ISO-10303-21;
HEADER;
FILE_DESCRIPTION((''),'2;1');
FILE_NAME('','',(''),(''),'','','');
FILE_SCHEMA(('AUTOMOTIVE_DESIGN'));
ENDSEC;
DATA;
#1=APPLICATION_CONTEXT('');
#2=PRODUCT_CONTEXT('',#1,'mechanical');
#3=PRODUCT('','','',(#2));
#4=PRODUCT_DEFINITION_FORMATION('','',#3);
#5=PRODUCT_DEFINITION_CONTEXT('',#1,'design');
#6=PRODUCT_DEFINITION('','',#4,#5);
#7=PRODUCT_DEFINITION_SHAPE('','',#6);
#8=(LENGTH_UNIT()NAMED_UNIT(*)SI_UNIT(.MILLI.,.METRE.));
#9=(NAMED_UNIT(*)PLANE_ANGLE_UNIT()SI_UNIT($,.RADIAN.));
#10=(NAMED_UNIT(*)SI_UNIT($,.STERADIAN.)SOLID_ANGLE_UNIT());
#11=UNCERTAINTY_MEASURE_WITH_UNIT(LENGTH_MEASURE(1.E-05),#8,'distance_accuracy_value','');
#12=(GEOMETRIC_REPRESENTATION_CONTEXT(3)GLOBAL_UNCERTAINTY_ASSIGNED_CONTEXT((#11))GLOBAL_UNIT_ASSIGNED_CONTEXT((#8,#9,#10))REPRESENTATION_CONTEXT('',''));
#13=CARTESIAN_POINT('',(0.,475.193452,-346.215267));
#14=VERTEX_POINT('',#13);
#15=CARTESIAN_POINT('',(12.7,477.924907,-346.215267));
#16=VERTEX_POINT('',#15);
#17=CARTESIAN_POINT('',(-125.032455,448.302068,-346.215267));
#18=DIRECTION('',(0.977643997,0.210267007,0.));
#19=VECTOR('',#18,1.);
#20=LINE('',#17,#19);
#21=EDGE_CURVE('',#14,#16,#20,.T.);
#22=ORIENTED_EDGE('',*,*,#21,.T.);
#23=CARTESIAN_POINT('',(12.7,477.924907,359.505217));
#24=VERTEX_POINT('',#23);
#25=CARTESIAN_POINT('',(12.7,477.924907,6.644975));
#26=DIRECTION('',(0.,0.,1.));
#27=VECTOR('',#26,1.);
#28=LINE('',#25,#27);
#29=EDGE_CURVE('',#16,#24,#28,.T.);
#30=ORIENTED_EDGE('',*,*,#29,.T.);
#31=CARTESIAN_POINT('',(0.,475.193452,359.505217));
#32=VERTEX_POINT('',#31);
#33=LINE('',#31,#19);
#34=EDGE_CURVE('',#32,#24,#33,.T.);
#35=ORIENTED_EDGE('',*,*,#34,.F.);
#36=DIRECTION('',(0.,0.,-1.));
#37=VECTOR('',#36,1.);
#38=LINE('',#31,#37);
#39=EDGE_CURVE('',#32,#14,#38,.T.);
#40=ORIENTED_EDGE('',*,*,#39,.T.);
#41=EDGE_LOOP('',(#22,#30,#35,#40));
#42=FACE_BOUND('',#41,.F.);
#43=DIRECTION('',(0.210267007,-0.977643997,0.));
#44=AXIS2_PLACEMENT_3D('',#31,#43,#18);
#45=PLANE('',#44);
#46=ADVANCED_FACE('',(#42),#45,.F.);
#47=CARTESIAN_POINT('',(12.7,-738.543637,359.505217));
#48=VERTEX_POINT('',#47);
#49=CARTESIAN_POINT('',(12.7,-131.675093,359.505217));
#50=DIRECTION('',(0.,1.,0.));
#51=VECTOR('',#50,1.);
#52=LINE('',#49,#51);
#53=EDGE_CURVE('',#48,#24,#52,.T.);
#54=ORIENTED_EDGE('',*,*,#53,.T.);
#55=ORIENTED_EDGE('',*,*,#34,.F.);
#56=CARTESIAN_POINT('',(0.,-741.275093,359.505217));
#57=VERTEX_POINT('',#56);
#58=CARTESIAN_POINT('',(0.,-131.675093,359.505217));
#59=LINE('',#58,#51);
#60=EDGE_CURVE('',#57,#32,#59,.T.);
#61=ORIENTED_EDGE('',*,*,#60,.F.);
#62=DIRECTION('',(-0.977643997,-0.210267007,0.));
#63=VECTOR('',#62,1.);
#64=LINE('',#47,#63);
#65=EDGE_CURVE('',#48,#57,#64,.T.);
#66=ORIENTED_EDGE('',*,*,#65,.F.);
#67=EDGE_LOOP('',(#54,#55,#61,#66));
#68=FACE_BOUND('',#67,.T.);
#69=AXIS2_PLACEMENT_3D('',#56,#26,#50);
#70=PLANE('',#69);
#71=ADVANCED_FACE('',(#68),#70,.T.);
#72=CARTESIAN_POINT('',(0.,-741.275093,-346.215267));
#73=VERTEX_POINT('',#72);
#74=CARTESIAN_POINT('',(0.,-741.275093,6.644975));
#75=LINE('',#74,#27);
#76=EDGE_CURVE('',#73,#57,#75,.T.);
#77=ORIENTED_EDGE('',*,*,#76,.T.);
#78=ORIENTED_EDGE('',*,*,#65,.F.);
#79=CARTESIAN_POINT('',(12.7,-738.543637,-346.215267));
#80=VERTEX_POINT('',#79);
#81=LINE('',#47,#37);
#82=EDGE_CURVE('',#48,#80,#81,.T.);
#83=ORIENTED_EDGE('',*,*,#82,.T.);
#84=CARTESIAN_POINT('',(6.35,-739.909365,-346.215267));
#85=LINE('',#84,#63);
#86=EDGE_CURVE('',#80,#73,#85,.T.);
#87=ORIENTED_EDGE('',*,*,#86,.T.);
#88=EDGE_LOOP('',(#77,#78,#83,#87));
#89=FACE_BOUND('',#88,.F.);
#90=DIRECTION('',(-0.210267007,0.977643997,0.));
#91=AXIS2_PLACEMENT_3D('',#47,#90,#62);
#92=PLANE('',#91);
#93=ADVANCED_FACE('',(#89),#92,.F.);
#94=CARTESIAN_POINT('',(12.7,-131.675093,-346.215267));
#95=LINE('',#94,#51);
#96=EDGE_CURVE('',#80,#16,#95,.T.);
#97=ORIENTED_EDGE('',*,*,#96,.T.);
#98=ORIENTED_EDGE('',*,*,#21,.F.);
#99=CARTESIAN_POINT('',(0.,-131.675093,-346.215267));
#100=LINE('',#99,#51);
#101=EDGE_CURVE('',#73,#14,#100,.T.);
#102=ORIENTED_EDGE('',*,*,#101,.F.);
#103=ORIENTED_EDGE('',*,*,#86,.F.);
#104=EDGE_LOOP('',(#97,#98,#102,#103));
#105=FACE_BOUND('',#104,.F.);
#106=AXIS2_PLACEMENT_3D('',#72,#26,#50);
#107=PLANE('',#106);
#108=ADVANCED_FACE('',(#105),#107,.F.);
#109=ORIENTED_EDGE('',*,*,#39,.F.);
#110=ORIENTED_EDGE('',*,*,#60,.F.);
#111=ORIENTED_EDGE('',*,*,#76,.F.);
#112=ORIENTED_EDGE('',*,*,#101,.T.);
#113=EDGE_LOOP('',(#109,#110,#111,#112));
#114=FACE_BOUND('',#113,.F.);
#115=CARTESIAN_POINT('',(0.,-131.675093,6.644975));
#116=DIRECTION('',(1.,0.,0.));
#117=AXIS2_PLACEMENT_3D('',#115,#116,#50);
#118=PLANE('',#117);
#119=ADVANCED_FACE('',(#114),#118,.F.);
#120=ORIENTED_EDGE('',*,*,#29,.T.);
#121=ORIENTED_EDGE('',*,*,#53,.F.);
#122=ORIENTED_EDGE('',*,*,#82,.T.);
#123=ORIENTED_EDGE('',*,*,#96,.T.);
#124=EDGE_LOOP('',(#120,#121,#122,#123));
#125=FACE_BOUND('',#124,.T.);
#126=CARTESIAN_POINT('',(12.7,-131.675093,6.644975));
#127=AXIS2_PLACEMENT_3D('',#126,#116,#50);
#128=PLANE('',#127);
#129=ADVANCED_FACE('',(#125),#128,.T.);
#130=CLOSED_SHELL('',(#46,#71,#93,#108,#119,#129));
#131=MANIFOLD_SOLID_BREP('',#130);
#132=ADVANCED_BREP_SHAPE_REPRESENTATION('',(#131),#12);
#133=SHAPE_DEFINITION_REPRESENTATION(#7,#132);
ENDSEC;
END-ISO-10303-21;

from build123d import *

# Parameters (mm, degrees)
F0_W     = 1219.2
F0_H     = 705.7204834
F1_DEPTH = 12.7
F3_DEPTH = 705.7214834


with BuildPart() as f1:
    # F0 (on Right) → F1 (new body)
    with BuildSketch(Plane.YZ):
        with Locations((-131.67509275, 6.6449750074)):
            Rectangle(F0_W, F0_H)
    extrude(amount=F1_DEPTH)

    # F2 (on face) → F3 (cut, through all)
    with BuildSketch(Plane.XY.offset(359.5052167074)):
        Polygon((12.7, -738.5436373349), (0, -741.27509275), (12.7, -741.27509275), align=None)
        Polygon((-24.0087328283, 470.0297681108), (0, 475.1934518348), (0, 477.92490725), (-24.0087328283, 477.92490725), align=None)
        Polygon((0, 477.92490725), (0, 475.1934518348), (12.7, 477.92490725), align=None)
    extrude(amount=-F3_DEPTH, mode=Mode.SUBTRACT)


solid = f1.part
